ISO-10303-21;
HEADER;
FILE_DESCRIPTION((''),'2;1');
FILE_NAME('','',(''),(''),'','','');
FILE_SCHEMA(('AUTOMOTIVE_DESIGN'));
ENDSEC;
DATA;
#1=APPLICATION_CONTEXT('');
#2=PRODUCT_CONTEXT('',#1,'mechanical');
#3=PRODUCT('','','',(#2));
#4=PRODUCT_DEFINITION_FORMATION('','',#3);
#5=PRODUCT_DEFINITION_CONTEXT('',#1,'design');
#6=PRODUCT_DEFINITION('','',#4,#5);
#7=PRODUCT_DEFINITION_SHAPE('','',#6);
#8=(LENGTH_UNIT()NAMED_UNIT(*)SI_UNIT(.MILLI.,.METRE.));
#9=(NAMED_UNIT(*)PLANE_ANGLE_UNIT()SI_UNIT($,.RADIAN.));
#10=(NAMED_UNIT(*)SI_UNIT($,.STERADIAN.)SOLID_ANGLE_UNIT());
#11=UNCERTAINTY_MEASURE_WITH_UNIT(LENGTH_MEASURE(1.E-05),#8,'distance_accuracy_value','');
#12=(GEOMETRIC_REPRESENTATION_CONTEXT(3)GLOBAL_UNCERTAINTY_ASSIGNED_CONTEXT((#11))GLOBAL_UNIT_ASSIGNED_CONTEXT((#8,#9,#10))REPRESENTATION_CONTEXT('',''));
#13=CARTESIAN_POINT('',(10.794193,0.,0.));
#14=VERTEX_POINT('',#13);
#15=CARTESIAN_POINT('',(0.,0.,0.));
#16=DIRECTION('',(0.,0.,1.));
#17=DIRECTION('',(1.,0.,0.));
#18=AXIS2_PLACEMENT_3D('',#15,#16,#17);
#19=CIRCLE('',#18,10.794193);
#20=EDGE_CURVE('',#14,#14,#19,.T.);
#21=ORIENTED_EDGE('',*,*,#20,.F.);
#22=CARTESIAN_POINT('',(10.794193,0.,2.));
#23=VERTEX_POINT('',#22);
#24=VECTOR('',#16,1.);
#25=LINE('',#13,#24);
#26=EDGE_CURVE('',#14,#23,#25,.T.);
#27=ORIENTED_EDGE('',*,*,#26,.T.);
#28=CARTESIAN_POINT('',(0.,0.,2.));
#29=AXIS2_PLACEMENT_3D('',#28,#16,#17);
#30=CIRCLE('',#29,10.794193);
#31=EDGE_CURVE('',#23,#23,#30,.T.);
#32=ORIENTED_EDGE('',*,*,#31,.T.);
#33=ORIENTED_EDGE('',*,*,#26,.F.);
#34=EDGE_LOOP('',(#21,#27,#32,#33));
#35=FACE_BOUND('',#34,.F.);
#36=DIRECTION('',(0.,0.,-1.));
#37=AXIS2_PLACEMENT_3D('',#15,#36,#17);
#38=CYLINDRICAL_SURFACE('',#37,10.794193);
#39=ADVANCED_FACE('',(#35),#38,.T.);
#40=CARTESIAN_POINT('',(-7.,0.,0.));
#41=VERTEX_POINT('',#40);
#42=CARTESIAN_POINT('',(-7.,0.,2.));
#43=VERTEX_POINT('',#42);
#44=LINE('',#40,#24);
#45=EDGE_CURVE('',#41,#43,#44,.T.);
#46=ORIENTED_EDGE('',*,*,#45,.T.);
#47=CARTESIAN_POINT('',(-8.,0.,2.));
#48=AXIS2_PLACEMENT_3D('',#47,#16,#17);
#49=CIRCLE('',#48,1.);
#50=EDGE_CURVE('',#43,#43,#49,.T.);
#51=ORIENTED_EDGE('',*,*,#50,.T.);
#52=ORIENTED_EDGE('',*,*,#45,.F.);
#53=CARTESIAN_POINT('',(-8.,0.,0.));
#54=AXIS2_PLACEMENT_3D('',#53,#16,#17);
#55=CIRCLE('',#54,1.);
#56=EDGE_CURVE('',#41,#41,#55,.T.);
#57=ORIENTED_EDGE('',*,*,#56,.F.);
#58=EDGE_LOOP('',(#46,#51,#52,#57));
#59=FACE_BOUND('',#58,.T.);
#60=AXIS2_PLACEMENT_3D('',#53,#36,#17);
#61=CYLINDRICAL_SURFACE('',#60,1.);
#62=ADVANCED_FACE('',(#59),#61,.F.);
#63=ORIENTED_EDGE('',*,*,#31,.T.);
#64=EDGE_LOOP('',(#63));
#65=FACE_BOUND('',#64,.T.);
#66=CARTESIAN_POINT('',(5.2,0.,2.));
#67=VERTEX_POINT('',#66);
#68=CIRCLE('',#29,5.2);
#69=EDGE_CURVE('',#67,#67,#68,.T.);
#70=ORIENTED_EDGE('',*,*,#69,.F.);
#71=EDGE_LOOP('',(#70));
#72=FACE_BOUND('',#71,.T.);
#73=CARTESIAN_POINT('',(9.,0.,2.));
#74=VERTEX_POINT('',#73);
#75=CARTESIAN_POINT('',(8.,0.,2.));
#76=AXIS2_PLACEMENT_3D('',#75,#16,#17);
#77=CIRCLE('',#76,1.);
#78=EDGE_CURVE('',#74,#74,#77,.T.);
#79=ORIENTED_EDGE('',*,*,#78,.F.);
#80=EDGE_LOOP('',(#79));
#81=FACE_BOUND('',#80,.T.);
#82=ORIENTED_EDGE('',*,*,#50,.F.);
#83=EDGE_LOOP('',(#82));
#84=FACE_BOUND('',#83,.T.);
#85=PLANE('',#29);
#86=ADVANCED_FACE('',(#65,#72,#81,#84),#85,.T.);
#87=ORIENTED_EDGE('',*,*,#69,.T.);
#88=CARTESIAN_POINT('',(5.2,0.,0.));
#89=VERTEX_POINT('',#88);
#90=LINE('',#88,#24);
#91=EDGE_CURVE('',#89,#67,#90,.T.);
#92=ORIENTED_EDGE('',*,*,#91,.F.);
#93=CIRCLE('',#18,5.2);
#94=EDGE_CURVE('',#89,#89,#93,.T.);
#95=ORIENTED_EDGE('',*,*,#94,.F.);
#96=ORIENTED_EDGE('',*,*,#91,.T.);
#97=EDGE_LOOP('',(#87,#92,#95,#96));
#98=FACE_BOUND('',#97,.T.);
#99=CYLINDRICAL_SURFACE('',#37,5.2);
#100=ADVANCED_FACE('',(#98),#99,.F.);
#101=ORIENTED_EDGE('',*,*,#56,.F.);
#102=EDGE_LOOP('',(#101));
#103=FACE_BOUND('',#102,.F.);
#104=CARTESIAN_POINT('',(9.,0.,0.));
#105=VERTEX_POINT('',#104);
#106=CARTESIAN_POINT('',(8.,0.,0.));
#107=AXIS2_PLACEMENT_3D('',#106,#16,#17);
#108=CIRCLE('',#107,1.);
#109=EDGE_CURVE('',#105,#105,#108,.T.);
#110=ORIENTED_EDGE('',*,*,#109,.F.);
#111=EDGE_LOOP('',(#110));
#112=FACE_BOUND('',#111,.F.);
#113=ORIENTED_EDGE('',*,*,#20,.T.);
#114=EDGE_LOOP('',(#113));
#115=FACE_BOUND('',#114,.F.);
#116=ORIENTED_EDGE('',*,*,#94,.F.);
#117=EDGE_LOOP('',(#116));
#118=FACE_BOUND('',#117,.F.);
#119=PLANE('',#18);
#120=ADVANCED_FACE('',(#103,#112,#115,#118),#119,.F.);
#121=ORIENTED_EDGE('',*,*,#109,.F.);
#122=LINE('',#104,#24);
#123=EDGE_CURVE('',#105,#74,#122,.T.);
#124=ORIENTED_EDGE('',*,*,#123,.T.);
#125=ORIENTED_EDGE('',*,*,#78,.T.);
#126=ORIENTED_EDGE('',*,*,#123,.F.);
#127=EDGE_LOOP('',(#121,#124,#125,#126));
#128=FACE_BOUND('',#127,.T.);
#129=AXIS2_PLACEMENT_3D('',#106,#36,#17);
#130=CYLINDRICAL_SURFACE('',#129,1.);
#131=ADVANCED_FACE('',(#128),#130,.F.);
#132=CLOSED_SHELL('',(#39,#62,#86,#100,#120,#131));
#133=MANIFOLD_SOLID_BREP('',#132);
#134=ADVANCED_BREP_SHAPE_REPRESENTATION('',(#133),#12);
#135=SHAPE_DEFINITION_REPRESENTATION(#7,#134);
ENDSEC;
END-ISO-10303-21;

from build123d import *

# Parameters (mm, degrees)
SKETCH_R   = 10.794193
SKETCH_R_2 = 1
SKETCH_R_3 = 5.2
PAD_DEPTH  = 2


with BuildPart() as part:
    # Sketch → Pad (new body)
    with BuildSketch(Plane.XY):
        Circle(SKETCH_R)
        with Locations((8, 0)):
            Circle(SKETCH_R_2, mode=Mode.SUBTRACT)
        with Locations((-8, 0)):
            Circle(SKETCH_R_2, mode=Mode.SUBTRACT)
        Circle(SKETCH_R_3, mode=Mode.SUBTRACT)
    extrude(amount=PAD_DEPTH)


solid = part.part
